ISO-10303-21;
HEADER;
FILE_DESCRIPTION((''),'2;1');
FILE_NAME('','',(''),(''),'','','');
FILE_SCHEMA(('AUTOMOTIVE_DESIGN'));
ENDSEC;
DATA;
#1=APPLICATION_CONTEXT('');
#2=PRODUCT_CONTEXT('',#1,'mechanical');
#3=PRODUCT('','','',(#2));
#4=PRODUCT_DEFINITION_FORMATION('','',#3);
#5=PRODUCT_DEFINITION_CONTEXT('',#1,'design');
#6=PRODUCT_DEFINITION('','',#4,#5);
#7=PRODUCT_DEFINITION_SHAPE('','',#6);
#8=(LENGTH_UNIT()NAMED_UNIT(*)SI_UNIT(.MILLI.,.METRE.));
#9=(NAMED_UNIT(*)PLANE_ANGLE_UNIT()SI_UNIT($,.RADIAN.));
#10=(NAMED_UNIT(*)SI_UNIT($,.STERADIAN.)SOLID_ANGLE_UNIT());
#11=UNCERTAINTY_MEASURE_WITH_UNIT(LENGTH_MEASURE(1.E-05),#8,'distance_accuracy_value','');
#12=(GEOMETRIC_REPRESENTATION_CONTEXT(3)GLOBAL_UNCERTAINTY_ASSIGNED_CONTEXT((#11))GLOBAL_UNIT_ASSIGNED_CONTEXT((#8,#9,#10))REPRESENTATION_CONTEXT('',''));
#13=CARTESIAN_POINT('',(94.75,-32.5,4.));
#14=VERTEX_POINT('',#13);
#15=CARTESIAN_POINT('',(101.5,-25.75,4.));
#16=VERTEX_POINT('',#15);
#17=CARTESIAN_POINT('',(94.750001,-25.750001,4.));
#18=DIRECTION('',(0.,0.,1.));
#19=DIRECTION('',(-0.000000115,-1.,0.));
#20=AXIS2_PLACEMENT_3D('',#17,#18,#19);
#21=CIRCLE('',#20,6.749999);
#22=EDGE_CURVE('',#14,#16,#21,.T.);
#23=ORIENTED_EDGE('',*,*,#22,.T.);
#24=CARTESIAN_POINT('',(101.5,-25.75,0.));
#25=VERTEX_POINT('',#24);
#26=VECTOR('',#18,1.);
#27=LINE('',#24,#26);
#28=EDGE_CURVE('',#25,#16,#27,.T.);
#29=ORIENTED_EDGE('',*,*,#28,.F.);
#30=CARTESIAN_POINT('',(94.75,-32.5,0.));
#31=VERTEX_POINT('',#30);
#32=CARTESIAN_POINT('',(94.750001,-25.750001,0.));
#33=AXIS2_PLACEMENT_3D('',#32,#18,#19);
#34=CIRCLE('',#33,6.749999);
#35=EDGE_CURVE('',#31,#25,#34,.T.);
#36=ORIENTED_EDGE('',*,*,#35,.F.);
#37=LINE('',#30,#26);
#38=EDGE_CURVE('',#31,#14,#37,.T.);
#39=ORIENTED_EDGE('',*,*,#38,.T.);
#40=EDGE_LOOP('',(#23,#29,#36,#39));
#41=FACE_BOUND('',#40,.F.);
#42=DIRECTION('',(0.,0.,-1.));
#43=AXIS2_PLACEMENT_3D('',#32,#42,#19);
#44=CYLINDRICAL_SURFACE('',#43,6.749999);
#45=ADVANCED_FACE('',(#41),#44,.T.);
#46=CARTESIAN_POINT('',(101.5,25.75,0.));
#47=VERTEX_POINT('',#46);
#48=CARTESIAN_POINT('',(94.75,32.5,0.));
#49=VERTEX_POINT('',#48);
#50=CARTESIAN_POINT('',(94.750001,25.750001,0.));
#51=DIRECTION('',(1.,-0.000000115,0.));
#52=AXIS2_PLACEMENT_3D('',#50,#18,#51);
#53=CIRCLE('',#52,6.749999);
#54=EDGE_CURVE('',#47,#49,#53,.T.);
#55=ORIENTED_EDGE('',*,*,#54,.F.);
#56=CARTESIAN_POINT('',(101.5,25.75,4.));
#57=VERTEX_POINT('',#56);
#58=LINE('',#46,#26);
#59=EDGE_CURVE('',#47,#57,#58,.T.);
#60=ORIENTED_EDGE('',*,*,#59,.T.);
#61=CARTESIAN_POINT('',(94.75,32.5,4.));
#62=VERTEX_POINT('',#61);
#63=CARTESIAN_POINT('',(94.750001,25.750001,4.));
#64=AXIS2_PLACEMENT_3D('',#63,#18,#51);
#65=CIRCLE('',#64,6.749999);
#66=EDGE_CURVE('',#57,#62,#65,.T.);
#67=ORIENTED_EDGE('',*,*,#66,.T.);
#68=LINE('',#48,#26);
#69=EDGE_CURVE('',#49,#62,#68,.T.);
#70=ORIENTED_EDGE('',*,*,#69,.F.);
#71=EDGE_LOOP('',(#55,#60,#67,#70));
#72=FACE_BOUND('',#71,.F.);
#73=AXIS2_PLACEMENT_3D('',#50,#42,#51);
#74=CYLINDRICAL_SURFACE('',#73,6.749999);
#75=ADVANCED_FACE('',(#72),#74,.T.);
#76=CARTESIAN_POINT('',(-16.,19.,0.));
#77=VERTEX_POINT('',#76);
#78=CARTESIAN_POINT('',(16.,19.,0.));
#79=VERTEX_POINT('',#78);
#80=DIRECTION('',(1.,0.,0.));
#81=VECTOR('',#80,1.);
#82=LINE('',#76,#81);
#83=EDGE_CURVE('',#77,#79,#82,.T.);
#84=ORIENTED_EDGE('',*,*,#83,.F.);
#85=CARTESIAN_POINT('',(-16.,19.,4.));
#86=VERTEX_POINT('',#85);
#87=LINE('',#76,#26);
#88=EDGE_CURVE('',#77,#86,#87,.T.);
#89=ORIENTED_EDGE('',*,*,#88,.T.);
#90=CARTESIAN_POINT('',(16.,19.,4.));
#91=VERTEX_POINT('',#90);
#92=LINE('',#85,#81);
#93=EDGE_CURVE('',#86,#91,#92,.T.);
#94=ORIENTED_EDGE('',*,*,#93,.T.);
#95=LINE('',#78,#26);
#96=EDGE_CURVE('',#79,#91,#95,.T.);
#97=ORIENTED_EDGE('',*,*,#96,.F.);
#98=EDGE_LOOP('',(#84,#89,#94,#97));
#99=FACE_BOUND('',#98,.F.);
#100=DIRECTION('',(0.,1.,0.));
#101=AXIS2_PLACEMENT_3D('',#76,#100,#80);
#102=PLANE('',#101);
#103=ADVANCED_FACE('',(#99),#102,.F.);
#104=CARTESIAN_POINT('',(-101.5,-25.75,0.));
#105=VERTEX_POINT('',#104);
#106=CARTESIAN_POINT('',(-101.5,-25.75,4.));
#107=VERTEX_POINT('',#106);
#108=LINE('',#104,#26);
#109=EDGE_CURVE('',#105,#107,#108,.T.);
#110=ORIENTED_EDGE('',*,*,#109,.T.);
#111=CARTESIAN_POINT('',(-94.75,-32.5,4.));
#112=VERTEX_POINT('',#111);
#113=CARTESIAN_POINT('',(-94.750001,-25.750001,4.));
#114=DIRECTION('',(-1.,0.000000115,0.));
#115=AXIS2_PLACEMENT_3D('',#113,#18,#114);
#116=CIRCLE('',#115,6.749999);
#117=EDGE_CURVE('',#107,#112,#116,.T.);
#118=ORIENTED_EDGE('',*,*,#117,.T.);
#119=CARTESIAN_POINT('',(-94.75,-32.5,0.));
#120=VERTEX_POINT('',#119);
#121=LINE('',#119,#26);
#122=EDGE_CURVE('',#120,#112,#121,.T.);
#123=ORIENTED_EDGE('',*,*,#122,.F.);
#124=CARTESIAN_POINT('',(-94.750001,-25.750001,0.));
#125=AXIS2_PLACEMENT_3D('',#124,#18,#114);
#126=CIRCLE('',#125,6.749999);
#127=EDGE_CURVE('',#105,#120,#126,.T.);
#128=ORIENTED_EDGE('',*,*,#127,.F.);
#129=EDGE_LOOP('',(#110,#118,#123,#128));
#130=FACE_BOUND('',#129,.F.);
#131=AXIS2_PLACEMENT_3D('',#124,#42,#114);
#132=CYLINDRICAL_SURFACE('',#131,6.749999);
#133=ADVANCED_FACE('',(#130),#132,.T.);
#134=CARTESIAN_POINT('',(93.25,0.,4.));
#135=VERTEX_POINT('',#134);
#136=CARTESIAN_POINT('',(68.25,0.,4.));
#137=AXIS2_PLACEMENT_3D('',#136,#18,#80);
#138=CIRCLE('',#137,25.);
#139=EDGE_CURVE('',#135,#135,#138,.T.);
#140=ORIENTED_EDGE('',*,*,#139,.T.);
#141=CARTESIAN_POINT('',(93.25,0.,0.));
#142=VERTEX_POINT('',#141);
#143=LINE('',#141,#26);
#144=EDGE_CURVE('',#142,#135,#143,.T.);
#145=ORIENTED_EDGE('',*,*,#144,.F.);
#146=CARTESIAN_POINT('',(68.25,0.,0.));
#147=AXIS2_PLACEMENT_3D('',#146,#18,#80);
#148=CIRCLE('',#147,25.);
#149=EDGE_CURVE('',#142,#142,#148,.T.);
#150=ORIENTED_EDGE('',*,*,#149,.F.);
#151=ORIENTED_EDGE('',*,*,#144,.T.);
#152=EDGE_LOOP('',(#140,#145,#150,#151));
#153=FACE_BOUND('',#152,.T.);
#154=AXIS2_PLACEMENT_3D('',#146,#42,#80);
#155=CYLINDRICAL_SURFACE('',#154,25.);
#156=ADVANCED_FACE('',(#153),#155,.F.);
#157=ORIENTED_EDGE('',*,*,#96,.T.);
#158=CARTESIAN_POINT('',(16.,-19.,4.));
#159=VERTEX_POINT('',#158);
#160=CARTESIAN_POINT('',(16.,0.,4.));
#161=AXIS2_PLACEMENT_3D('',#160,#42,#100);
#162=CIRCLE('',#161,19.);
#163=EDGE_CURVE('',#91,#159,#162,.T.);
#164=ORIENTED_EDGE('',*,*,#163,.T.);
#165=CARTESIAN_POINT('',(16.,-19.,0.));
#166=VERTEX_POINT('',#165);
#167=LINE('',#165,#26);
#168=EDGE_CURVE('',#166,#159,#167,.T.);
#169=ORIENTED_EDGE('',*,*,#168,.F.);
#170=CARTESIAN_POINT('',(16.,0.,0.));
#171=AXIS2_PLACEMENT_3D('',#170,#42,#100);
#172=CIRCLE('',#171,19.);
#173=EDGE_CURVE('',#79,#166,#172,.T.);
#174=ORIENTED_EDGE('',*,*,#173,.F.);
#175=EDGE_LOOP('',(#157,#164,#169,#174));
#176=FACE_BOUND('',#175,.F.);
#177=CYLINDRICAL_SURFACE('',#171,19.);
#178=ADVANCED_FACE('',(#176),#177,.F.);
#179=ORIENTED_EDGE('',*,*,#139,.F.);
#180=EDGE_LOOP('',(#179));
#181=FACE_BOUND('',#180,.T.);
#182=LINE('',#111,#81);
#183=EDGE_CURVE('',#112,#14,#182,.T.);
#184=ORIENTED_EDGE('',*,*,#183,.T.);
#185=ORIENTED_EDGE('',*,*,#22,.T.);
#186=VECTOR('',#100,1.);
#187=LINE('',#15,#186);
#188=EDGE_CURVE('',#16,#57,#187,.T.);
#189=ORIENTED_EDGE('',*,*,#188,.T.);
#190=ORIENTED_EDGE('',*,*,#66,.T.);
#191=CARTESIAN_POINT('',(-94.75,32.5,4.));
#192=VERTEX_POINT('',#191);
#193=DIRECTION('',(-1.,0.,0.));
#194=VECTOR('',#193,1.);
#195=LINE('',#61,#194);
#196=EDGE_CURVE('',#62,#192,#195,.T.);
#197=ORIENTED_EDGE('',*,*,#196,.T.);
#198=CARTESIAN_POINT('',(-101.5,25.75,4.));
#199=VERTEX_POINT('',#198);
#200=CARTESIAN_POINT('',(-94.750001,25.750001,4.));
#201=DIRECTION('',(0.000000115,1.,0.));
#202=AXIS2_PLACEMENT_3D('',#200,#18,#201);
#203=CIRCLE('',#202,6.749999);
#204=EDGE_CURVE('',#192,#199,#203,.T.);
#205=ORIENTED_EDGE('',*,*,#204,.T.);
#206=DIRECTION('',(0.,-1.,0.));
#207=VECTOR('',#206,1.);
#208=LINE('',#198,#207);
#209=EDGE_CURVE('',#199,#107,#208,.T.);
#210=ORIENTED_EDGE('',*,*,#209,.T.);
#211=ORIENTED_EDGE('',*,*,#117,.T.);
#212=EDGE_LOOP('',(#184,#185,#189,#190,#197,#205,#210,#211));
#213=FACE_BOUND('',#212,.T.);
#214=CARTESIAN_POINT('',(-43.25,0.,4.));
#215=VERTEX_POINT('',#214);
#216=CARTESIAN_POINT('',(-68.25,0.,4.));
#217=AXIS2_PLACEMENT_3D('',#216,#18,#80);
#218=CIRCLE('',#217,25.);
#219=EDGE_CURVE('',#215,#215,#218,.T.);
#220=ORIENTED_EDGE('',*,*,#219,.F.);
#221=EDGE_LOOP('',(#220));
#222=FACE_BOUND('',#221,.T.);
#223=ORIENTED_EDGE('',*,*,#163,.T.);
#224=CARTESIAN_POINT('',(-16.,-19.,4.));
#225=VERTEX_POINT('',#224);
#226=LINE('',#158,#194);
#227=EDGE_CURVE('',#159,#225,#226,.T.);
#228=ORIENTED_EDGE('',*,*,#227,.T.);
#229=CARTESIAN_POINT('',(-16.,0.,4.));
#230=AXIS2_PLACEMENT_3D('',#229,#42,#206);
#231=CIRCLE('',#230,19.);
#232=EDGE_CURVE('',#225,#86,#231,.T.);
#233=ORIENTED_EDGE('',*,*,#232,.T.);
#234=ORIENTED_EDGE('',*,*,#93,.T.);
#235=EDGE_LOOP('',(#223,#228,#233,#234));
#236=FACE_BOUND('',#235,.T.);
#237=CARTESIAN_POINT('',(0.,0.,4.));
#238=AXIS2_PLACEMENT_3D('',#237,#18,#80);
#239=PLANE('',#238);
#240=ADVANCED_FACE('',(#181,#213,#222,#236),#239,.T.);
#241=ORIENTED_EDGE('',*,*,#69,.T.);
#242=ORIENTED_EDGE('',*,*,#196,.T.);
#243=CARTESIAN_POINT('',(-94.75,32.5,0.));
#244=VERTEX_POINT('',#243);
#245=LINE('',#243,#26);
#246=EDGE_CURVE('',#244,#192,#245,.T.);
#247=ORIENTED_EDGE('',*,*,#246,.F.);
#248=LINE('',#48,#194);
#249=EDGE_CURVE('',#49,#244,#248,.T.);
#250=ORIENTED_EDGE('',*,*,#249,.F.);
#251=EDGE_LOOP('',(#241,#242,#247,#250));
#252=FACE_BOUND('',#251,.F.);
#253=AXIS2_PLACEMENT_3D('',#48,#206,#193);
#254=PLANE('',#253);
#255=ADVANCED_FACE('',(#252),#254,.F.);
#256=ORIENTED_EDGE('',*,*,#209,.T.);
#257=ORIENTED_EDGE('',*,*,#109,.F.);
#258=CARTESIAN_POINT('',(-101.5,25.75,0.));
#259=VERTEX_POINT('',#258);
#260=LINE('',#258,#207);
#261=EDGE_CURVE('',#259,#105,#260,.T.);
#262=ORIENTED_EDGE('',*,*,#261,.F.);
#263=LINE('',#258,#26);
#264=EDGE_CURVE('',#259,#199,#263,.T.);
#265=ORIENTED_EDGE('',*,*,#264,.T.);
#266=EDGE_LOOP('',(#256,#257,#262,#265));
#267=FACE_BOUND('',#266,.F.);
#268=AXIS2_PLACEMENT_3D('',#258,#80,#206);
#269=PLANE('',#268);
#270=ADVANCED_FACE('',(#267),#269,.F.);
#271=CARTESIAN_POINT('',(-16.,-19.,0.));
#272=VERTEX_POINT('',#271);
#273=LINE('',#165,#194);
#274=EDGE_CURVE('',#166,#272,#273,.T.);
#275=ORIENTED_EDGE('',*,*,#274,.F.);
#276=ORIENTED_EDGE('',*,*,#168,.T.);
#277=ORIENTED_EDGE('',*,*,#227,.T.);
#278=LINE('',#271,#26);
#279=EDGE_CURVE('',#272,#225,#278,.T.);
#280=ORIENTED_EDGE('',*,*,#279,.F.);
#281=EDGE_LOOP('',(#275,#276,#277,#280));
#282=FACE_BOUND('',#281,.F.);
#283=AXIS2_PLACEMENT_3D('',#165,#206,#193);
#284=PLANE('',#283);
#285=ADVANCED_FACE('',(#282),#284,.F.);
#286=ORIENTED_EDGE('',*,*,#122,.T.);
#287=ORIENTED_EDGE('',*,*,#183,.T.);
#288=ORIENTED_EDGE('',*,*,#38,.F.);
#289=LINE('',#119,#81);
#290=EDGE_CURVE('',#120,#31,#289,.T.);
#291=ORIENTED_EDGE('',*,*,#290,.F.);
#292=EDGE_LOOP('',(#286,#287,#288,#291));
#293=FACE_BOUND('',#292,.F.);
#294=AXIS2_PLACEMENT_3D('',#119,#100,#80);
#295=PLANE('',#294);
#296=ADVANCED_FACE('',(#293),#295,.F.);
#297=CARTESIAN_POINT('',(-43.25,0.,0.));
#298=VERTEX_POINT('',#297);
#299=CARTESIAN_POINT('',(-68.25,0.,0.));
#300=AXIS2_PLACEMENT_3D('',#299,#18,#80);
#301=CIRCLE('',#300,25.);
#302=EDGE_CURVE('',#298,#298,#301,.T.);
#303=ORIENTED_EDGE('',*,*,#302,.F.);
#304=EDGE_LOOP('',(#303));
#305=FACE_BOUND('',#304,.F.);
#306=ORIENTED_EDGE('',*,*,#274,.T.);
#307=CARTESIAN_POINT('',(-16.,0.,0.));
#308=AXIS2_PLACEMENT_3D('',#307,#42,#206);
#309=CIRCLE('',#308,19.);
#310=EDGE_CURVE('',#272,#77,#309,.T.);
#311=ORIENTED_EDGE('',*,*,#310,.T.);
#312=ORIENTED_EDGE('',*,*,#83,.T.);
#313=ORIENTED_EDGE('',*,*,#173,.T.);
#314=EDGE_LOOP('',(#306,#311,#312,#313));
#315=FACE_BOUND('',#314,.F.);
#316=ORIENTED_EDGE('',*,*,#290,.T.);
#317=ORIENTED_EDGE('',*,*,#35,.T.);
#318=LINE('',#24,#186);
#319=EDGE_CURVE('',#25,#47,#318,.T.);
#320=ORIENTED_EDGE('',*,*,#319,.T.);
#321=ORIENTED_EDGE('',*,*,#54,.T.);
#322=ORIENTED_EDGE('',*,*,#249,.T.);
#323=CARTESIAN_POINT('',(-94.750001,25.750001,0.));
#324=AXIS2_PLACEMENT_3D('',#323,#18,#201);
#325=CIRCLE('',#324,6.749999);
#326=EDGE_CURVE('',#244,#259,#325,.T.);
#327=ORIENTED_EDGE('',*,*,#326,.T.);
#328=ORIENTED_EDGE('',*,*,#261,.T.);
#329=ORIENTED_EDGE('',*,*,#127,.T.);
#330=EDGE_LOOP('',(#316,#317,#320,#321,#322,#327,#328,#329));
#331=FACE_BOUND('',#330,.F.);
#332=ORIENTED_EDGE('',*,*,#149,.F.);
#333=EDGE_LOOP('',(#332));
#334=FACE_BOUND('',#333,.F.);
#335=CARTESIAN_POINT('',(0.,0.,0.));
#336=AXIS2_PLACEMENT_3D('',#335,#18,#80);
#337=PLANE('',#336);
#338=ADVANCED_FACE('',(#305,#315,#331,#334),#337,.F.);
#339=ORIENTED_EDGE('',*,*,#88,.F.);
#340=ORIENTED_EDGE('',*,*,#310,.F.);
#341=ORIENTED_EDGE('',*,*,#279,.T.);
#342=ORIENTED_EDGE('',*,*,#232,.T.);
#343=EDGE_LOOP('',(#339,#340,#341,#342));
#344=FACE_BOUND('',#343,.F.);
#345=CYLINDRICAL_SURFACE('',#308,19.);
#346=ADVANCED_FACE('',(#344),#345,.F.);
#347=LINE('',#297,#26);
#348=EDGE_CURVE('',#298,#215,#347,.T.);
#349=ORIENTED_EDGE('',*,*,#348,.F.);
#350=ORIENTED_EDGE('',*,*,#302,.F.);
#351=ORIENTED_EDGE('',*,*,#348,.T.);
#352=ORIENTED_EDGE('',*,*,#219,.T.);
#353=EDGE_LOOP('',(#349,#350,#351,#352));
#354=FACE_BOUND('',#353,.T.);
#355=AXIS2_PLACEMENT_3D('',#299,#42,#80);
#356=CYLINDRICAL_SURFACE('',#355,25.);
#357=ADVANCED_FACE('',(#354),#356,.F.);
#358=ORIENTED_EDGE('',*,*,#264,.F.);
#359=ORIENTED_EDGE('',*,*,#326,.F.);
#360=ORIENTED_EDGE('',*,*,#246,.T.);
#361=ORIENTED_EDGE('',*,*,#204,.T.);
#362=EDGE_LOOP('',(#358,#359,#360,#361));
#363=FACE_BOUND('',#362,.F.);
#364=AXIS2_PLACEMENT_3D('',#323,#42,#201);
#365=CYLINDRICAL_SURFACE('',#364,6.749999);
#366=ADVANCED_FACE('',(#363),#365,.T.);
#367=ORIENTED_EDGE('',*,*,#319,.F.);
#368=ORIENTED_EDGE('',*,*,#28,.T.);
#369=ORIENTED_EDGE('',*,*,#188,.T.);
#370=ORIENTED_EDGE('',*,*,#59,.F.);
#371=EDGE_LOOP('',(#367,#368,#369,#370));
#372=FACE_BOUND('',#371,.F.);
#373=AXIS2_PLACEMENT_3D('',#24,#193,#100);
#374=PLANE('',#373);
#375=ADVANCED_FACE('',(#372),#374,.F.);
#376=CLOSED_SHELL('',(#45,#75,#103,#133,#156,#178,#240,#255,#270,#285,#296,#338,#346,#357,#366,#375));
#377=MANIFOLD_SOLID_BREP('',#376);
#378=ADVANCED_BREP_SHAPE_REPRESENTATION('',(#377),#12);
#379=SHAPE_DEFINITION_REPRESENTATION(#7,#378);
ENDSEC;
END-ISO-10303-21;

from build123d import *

# Parameters (mm, degrees)
F0_R     = 25
F1_DEPTH = 4


with BuildPart() as f1:
    # F0 (on Top) → F1 (new body)
    with BuildSketch(Plane.XY):
        with BuildLine():
            Line((-94.75, -32.5), (94.75, -32.5))
            ThreePointArc((94.75, -32.5), (99.522971, -30.522971), (101.5, -25.75))
            Line((101.5, -25.75), (101.5, 25.75))
            ThreePointArc((101.5, 25.75), (99.522971, 30.522971), (94.75, 32.5))
            Line((94.75, 32.5), (-94.75, 32.5))
            ThreePointArc((-94.75, 32.5), (-99.522971, 30.522971), (-101.5, 25.75))
            Line((-101.5, 25.75), (-101.5, -25.75))
            ThreePointArc((-101.5, -25.75), (-99.522971, -30.522971), (-94.75, -32.5))
        make_face()
        with Locations((-68.25, 0)):
            Circle(F0_R, mode=Mode.SUBTRACT)
        with BuildLine():
            ThreePointArc((16, 19), (35, 0), (16, -19))
            Line((16, -19), (-16, -19))
            ThreePointArc((-16, -19), (-35, 0), (-16, 19))
            Line((-16, 19), (16, 19))
        make_face(mode=Mode.SUBTRACT)
        with Locations((68.25, 0)):
            Circle(F0_R, mode=Mode.SUBTRACT)
    extrude(amount=F1_DEPTH)


solid = f1.part
